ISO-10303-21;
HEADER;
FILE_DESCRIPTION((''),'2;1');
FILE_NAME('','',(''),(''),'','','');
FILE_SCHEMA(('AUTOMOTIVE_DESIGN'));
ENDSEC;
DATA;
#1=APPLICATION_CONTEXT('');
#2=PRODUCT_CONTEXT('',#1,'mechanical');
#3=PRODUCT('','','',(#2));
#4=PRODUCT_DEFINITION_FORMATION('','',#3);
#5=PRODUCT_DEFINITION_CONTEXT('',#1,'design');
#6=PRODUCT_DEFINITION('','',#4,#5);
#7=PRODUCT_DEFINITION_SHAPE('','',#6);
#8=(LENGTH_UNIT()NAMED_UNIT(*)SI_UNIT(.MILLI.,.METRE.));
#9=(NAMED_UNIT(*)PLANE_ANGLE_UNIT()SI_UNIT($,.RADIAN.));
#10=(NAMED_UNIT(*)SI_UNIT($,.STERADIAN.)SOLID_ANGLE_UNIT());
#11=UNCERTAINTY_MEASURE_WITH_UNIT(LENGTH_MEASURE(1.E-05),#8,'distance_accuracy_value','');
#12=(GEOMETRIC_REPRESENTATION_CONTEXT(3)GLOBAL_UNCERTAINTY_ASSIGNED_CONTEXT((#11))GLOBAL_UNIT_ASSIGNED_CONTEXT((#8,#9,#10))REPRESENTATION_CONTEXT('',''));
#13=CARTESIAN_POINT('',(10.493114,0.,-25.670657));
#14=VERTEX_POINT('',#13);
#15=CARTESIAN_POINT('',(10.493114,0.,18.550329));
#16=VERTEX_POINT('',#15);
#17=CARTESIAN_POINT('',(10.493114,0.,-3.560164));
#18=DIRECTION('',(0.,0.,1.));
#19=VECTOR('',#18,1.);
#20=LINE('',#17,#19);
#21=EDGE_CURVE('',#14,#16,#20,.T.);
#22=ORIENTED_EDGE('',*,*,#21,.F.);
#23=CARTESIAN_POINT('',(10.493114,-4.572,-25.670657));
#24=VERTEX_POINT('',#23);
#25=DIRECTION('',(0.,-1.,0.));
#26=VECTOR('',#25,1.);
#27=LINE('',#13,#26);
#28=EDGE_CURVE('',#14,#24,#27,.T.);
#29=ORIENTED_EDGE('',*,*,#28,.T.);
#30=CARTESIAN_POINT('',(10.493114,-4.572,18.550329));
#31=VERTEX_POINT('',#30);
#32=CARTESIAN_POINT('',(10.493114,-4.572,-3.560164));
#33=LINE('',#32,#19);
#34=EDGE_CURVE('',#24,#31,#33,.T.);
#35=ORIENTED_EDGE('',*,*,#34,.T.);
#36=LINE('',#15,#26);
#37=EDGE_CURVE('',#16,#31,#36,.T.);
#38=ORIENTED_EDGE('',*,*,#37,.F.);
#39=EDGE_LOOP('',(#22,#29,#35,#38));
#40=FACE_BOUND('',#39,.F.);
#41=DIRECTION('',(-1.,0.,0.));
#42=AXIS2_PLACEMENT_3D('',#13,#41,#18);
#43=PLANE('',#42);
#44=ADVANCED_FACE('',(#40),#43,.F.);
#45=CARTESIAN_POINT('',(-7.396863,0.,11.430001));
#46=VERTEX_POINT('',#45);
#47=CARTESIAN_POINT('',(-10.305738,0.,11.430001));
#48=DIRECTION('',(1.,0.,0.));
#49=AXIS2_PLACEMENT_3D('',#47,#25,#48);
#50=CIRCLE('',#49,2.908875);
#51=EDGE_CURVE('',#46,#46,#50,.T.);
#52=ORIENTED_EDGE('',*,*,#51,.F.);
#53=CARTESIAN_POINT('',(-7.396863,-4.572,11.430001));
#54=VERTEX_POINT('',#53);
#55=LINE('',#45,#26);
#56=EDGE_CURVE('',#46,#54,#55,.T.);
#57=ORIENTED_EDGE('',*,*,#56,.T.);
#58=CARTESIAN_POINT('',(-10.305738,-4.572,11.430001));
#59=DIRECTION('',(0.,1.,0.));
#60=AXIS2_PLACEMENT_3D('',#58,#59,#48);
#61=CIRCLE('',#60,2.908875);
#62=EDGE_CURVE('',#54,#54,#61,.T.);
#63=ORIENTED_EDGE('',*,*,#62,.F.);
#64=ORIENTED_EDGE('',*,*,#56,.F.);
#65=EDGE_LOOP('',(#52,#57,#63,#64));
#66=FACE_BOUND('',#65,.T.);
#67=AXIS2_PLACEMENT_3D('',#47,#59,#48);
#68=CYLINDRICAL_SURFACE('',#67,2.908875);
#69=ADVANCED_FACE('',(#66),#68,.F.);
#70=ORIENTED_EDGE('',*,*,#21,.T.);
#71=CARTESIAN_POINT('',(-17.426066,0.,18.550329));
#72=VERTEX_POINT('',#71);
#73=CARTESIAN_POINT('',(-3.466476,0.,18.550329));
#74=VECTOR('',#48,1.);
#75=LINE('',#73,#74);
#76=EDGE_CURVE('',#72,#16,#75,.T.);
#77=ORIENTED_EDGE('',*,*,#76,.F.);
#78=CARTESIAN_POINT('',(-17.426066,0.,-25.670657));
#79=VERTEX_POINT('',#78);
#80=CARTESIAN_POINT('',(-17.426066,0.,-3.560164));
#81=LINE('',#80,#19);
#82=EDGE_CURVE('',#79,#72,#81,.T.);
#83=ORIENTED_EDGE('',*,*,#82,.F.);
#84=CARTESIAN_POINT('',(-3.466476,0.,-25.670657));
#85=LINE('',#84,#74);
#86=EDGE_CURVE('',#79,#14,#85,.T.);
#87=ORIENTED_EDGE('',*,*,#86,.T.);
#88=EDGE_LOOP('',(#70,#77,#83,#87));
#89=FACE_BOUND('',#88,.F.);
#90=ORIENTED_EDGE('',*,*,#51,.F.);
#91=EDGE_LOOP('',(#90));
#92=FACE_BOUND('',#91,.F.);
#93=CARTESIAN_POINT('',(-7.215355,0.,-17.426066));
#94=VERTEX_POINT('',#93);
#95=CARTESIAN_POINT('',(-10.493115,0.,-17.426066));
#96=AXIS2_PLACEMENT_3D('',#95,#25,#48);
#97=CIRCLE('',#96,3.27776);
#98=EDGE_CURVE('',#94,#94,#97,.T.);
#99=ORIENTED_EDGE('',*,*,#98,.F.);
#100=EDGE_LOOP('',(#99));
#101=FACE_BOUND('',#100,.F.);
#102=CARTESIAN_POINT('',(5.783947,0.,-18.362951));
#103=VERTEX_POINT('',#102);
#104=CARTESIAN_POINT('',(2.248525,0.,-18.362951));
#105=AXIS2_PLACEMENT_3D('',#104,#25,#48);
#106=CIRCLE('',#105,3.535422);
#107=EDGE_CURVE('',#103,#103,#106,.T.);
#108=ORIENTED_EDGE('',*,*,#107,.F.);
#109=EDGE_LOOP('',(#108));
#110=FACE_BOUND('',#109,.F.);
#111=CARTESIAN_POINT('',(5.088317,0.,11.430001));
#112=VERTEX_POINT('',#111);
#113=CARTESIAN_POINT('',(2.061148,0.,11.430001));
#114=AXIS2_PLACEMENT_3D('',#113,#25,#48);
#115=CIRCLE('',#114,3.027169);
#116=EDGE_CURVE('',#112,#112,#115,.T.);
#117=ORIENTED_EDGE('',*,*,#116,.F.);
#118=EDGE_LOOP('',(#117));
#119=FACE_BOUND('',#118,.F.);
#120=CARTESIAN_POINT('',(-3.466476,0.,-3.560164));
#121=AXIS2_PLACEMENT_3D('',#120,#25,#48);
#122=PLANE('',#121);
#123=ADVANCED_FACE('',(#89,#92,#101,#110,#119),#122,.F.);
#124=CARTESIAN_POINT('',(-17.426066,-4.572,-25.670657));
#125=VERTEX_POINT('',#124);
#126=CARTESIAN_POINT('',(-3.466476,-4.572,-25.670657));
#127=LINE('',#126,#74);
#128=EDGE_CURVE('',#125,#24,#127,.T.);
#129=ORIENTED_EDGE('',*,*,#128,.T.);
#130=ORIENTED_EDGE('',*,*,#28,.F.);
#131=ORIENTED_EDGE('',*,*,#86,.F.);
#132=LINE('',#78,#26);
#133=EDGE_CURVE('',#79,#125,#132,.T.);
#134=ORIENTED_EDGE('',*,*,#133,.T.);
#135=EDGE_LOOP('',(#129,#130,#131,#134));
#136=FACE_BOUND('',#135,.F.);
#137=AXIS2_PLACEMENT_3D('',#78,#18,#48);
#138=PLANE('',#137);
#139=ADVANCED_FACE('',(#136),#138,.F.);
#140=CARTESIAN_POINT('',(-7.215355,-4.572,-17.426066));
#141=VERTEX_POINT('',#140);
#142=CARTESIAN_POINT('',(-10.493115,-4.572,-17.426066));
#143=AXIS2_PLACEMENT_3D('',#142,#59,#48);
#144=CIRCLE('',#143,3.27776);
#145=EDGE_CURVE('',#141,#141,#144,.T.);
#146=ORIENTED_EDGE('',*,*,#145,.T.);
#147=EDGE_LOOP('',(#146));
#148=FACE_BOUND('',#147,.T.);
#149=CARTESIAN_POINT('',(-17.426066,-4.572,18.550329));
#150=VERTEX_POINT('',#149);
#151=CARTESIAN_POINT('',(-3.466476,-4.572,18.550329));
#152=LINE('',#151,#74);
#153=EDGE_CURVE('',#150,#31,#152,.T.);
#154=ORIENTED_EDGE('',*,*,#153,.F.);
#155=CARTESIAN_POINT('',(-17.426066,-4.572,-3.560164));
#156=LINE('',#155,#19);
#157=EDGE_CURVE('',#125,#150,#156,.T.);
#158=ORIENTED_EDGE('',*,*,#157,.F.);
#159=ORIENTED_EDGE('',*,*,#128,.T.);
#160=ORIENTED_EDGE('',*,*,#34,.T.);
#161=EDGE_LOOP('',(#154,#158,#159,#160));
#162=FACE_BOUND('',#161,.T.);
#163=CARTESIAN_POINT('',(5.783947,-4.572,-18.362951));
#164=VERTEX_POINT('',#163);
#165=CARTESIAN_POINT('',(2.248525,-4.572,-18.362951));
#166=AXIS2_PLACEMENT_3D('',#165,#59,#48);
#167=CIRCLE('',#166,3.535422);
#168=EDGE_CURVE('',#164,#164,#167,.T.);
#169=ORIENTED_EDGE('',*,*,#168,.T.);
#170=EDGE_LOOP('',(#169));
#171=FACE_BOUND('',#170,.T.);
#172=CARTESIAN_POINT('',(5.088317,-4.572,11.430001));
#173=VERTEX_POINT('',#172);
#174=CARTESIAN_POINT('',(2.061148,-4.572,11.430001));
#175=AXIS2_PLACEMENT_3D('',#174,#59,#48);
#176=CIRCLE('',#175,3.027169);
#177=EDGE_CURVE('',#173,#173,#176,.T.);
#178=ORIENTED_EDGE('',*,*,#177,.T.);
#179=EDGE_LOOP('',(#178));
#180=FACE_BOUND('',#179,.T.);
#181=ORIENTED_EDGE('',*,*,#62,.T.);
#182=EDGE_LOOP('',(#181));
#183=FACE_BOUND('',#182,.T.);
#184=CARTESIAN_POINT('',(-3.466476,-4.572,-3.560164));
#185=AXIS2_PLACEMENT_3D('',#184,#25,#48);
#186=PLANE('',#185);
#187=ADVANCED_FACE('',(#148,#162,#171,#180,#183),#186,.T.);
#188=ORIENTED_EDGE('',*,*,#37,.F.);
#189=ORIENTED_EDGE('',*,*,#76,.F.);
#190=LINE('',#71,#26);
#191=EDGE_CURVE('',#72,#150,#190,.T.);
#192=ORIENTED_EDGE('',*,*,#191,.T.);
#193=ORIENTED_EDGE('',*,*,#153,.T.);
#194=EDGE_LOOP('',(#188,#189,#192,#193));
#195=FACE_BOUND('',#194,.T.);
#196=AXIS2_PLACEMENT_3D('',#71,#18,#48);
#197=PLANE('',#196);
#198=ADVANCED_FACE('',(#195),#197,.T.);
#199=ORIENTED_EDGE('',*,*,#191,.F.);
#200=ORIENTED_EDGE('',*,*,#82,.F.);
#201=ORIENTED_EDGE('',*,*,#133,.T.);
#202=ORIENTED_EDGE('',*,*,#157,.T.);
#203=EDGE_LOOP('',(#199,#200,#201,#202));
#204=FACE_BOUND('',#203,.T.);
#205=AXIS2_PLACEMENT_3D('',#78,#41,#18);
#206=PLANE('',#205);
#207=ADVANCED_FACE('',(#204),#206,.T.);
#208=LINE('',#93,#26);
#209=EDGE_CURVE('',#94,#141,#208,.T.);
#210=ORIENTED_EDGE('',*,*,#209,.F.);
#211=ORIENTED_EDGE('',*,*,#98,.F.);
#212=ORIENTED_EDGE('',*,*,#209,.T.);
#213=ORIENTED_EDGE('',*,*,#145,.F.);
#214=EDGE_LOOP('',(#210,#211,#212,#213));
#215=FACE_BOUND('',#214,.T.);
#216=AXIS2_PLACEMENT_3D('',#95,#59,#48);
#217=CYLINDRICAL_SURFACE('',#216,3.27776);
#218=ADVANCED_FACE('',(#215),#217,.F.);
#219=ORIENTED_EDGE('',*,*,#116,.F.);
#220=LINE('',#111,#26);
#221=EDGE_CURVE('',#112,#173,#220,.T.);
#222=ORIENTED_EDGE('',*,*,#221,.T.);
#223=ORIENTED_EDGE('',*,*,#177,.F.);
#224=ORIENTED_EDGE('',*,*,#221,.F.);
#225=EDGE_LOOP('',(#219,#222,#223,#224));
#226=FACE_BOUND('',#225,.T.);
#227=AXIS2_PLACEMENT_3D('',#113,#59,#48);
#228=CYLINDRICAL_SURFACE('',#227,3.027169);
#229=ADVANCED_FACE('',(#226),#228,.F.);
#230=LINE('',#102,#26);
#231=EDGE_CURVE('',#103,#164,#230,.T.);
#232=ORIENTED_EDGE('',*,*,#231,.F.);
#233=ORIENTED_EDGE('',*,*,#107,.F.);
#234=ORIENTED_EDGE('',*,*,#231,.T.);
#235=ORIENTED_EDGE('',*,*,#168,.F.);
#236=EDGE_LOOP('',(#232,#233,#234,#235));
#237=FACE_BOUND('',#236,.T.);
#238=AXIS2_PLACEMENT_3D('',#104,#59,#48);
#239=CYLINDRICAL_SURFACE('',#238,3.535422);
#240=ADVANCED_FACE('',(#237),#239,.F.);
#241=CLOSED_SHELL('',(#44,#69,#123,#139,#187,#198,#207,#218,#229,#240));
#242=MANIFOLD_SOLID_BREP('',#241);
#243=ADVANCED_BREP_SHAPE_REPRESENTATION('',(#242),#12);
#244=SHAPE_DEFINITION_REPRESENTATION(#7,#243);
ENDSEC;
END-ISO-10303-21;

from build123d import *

# Parameters (mm, degrees)
F0_W     = 27.91918
F0_H     = 44.220986
F1_DEPTH = 4.572
F2_R     = 2.908875
F2_R_2   = 3.535422
F2_R_3   = 3.27776
F2_R_4   = 3.027169
F3_DEPTH = 25.4


with BuildPart() as f1:
    # F0 (on Front) → F1 (new body)
    with BuildSketch(Plane.XZ):
        with Locations((-3.466476, -3.560164)):
            Rectangle(F0_W, F0_H)
    extrude(amount=F1_DEPTH)

    # F2 (on Front) → F3 (cut)
    with BuildSketch(Plane.XZ):
        with Locations((-10.305738, 11.430001)):
            Circle(F2_R)
        with Locations((2.248525, -18.362951)):
            Circle(F2_R_2)
        with Locations((-10.493115, -17.426066)):
            Circle(F2_R_3)
        with Locations((2.061148, 11.430001)):
            Circle(F2_R_4)
    extrude(amount=F3_DEPTH, mode=Mode.SUBTRACT)


solid = f1.part
